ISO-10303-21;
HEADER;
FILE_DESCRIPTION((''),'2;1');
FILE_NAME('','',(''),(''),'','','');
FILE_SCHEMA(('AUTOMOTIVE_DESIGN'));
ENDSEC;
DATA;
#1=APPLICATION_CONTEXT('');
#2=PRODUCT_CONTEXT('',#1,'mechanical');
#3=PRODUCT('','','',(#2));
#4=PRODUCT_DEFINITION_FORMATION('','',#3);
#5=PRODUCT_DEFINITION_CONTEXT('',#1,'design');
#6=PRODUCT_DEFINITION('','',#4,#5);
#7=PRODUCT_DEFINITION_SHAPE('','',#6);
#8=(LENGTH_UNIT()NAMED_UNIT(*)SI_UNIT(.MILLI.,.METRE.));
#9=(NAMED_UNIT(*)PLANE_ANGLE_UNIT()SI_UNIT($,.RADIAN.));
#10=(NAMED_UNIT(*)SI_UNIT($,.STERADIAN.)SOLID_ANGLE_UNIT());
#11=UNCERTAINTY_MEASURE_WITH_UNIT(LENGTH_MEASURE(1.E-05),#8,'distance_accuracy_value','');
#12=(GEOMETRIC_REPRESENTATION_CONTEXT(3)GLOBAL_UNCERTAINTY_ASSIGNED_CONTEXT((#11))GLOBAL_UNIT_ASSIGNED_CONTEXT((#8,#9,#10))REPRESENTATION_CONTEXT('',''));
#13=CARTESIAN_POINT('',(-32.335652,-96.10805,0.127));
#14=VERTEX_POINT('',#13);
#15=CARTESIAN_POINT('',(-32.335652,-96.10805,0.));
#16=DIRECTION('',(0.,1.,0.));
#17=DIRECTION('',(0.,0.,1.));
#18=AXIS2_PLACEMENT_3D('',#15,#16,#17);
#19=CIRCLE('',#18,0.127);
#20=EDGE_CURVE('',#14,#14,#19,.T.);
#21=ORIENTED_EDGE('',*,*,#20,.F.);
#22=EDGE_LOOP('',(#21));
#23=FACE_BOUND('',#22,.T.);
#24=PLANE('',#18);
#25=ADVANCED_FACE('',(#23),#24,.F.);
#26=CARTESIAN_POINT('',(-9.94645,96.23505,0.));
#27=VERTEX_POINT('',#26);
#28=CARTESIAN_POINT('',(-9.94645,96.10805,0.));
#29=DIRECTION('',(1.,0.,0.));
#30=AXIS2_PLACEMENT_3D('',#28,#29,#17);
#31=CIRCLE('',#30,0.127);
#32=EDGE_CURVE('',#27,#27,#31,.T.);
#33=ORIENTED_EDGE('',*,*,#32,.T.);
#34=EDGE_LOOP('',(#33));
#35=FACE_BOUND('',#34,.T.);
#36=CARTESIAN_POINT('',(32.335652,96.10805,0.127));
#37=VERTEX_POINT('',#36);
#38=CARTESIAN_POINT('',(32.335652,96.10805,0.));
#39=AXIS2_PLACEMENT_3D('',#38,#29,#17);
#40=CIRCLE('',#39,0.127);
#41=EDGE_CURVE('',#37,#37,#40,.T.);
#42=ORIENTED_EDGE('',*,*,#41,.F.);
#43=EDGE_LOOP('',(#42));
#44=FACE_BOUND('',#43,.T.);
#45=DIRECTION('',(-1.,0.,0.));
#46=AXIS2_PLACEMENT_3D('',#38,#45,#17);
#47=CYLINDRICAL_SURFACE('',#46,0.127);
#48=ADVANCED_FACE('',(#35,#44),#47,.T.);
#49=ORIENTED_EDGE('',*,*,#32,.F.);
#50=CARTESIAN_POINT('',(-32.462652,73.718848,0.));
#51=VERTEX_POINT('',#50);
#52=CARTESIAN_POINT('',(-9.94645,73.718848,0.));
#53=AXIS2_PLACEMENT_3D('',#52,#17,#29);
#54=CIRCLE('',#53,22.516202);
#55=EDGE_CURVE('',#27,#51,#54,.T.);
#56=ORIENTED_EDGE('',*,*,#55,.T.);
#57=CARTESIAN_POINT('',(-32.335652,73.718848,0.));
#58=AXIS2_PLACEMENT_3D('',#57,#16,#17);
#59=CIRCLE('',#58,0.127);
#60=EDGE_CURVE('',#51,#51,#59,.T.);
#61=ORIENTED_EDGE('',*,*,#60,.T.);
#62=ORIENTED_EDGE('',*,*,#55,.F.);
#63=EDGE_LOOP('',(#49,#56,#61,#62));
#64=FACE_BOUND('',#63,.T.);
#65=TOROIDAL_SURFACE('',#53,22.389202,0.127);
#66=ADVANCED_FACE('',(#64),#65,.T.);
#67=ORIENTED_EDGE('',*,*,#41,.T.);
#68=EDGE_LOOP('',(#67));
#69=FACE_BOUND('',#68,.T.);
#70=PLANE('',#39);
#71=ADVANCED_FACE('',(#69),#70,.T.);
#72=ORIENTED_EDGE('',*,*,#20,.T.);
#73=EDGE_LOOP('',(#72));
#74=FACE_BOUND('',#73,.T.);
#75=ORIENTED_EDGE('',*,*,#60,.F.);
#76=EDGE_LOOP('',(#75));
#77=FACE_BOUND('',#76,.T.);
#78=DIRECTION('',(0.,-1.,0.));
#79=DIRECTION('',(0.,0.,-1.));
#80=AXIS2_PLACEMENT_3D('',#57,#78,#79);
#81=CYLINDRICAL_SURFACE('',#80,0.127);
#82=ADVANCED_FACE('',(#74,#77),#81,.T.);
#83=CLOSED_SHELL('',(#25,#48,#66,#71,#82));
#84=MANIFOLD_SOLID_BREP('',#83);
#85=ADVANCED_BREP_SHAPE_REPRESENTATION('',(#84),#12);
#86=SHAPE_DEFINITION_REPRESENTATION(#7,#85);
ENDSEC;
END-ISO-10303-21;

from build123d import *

# Parameters (mm, degrees)
SWEEP3_PROFILE_R = 0.127


with BuildPart() as part:
    # Sweep3: sweep along a path in Sketch1
    with BuildLine(Plane.XY) as sweep3_path:
        Line((32.335652054, 96.108050179), (-9.946450137, 96.108050179))
        ThreePointArc((-9.946450137, 96.108050179), (-25.778006638, 89.550404763), (-32.335652054, 73.718848262))
        Line((-32.335652054, 73.718848262), (-32.335652054, -96.108050179))
    # Sweep3 profile (on start of the path) → Sweep3 (sweep)
    with BuildSketch(Plane(origin=(32.335652054, 96.108050179, 0), x_dir=(0, 0, -1), z_dir=(-1, 0, 0))):
        Circle(SWEEP3_PROFILE_R)
    sweep(path=sweep3_path.line)


solid = part.part
